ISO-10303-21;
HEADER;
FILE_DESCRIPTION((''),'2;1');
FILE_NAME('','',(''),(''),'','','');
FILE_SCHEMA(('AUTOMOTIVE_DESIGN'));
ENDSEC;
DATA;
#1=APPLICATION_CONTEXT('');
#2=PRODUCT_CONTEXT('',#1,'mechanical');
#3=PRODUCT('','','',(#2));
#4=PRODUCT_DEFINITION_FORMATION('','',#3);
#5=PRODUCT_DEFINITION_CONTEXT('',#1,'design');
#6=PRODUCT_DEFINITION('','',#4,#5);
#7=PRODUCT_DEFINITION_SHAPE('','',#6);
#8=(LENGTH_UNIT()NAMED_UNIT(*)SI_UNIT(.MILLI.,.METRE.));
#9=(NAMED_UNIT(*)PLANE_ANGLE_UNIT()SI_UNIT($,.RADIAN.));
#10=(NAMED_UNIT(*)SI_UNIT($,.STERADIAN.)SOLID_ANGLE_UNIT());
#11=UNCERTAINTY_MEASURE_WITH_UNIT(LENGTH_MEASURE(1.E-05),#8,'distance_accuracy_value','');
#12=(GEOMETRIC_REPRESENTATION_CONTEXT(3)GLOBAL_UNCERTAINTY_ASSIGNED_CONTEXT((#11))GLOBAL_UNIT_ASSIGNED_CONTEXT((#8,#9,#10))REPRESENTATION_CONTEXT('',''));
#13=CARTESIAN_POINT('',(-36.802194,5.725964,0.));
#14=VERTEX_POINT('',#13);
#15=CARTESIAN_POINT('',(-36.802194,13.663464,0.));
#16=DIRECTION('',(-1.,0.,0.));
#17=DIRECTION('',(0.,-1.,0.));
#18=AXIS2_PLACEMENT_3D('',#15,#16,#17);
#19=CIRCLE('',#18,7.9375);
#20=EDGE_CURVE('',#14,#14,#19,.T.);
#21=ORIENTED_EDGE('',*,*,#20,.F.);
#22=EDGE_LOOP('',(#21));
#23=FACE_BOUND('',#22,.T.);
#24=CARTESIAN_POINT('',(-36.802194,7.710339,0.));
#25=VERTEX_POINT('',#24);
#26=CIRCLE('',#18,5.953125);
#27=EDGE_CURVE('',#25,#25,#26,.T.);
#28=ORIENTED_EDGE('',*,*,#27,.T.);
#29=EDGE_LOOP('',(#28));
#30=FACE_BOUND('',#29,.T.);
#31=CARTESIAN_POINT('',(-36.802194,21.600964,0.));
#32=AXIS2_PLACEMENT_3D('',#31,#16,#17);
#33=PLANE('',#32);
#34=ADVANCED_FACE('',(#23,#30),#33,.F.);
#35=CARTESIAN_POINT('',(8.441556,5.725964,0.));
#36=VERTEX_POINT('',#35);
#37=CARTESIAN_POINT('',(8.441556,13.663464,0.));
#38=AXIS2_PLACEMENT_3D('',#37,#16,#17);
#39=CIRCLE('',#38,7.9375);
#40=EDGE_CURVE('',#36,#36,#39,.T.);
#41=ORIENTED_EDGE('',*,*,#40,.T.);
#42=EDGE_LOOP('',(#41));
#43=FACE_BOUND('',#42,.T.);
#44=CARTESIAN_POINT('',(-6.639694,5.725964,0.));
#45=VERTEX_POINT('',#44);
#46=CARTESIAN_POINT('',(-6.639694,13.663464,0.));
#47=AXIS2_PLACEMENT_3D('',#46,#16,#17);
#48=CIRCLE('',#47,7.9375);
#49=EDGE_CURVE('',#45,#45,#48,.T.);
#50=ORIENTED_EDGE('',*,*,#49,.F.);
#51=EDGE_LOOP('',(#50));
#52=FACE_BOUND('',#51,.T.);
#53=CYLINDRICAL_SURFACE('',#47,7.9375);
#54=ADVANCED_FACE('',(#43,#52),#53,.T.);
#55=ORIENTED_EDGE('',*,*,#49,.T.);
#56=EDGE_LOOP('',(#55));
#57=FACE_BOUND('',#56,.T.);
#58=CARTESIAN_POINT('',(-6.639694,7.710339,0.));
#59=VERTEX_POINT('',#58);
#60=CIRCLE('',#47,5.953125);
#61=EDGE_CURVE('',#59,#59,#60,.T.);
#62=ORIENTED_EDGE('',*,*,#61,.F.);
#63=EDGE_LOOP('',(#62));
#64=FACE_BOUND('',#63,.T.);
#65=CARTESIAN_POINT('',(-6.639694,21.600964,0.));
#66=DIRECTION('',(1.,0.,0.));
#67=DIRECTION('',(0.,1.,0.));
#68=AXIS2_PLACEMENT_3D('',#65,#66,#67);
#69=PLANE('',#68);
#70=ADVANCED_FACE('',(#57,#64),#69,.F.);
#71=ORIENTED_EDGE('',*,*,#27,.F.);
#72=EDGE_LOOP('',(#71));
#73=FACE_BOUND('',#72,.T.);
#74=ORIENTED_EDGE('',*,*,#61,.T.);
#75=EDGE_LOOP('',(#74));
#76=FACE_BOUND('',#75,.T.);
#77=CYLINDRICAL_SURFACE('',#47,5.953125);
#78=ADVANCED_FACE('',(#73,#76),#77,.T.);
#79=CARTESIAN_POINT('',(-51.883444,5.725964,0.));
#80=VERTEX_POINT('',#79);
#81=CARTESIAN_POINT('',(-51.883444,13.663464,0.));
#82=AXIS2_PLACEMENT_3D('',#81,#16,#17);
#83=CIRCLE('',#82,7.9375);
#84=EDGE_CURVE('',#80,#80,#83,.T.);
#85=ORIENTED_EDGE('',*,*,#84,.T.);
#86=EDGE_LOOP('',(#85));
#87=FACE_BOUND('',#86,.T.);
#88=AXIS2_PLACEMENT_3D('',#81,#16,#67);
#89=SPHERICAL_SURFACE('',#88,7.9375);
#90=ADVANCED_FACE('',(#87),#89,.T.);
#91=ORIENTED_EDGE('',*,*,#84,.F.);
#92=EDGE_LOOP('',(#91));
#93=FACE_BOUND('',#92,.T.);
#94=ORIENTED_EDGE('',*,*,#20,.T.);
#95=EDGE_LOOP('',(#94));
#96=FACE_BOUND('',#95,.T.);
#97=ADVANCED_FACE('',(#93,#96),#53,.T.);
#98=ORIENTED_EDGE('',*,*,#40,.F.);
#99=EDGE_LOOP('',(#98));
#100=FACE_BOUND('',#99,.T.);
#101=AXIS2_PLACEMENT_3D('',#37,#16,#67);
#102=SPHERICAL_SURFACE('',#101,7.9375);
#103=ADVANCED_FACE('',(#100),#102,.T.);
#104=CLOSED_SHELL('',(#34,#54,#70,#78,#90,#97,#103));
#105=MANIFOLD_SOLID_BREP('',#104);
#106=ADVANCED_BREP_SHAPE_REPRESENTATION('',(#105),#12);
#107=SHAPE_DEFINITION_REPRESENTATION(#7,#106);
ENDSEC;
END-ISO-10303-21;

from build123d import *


with BuildPart() as part:
    # Sketch1 → Revolve1 (revolve)
    with BuildSketch(Plane.XY, mode=Mode.PRIVATE) as revolve1_sk:
        with BuildLine():
            Line((-6.639694458, 13.663463824), (-36.802194458, 13.663463824))
            Line((-36.802194458, 13.663463824), (-59.820944458, 13.663463824))
            ThreePointArc((-59.820944458, 13.663463824), (-57.496104533, 19.2761239), (-51.883444458, 21.600963824))
            Line((-51.883444458, 21.600963824), (-36.802194458, 21.600963824))
            Line((-36.802194458, 21.600963824), (-36.802194458, 19.616588824))
            Line((-36.802194458, 19.616588824), (-6.639694458, 19.616588824))
            Line((-6.639694458, 19.616588824), (-6.639694458, 21.600963824))
            Line((-6.639694458, 21.600963824), (8.441555542, 21.600963824))
            ThreePointArc((8.441555542, 21.600963824), (14.054215618, 19.2761239), (16.379055542, 13.663463824))
            Line((16.379055542, 13.663463824), (-6.639694458, 13.663463824))
        make_face()
    revolve(revolve1_sk.sketch.rotate(Axis((-6.639694458, 13.663463824, 0), (1, 0, 0)), 180), axis=Axis((-6.639694458, 13.663463824, 0), (1, 0, 0)))


solid = part.part
